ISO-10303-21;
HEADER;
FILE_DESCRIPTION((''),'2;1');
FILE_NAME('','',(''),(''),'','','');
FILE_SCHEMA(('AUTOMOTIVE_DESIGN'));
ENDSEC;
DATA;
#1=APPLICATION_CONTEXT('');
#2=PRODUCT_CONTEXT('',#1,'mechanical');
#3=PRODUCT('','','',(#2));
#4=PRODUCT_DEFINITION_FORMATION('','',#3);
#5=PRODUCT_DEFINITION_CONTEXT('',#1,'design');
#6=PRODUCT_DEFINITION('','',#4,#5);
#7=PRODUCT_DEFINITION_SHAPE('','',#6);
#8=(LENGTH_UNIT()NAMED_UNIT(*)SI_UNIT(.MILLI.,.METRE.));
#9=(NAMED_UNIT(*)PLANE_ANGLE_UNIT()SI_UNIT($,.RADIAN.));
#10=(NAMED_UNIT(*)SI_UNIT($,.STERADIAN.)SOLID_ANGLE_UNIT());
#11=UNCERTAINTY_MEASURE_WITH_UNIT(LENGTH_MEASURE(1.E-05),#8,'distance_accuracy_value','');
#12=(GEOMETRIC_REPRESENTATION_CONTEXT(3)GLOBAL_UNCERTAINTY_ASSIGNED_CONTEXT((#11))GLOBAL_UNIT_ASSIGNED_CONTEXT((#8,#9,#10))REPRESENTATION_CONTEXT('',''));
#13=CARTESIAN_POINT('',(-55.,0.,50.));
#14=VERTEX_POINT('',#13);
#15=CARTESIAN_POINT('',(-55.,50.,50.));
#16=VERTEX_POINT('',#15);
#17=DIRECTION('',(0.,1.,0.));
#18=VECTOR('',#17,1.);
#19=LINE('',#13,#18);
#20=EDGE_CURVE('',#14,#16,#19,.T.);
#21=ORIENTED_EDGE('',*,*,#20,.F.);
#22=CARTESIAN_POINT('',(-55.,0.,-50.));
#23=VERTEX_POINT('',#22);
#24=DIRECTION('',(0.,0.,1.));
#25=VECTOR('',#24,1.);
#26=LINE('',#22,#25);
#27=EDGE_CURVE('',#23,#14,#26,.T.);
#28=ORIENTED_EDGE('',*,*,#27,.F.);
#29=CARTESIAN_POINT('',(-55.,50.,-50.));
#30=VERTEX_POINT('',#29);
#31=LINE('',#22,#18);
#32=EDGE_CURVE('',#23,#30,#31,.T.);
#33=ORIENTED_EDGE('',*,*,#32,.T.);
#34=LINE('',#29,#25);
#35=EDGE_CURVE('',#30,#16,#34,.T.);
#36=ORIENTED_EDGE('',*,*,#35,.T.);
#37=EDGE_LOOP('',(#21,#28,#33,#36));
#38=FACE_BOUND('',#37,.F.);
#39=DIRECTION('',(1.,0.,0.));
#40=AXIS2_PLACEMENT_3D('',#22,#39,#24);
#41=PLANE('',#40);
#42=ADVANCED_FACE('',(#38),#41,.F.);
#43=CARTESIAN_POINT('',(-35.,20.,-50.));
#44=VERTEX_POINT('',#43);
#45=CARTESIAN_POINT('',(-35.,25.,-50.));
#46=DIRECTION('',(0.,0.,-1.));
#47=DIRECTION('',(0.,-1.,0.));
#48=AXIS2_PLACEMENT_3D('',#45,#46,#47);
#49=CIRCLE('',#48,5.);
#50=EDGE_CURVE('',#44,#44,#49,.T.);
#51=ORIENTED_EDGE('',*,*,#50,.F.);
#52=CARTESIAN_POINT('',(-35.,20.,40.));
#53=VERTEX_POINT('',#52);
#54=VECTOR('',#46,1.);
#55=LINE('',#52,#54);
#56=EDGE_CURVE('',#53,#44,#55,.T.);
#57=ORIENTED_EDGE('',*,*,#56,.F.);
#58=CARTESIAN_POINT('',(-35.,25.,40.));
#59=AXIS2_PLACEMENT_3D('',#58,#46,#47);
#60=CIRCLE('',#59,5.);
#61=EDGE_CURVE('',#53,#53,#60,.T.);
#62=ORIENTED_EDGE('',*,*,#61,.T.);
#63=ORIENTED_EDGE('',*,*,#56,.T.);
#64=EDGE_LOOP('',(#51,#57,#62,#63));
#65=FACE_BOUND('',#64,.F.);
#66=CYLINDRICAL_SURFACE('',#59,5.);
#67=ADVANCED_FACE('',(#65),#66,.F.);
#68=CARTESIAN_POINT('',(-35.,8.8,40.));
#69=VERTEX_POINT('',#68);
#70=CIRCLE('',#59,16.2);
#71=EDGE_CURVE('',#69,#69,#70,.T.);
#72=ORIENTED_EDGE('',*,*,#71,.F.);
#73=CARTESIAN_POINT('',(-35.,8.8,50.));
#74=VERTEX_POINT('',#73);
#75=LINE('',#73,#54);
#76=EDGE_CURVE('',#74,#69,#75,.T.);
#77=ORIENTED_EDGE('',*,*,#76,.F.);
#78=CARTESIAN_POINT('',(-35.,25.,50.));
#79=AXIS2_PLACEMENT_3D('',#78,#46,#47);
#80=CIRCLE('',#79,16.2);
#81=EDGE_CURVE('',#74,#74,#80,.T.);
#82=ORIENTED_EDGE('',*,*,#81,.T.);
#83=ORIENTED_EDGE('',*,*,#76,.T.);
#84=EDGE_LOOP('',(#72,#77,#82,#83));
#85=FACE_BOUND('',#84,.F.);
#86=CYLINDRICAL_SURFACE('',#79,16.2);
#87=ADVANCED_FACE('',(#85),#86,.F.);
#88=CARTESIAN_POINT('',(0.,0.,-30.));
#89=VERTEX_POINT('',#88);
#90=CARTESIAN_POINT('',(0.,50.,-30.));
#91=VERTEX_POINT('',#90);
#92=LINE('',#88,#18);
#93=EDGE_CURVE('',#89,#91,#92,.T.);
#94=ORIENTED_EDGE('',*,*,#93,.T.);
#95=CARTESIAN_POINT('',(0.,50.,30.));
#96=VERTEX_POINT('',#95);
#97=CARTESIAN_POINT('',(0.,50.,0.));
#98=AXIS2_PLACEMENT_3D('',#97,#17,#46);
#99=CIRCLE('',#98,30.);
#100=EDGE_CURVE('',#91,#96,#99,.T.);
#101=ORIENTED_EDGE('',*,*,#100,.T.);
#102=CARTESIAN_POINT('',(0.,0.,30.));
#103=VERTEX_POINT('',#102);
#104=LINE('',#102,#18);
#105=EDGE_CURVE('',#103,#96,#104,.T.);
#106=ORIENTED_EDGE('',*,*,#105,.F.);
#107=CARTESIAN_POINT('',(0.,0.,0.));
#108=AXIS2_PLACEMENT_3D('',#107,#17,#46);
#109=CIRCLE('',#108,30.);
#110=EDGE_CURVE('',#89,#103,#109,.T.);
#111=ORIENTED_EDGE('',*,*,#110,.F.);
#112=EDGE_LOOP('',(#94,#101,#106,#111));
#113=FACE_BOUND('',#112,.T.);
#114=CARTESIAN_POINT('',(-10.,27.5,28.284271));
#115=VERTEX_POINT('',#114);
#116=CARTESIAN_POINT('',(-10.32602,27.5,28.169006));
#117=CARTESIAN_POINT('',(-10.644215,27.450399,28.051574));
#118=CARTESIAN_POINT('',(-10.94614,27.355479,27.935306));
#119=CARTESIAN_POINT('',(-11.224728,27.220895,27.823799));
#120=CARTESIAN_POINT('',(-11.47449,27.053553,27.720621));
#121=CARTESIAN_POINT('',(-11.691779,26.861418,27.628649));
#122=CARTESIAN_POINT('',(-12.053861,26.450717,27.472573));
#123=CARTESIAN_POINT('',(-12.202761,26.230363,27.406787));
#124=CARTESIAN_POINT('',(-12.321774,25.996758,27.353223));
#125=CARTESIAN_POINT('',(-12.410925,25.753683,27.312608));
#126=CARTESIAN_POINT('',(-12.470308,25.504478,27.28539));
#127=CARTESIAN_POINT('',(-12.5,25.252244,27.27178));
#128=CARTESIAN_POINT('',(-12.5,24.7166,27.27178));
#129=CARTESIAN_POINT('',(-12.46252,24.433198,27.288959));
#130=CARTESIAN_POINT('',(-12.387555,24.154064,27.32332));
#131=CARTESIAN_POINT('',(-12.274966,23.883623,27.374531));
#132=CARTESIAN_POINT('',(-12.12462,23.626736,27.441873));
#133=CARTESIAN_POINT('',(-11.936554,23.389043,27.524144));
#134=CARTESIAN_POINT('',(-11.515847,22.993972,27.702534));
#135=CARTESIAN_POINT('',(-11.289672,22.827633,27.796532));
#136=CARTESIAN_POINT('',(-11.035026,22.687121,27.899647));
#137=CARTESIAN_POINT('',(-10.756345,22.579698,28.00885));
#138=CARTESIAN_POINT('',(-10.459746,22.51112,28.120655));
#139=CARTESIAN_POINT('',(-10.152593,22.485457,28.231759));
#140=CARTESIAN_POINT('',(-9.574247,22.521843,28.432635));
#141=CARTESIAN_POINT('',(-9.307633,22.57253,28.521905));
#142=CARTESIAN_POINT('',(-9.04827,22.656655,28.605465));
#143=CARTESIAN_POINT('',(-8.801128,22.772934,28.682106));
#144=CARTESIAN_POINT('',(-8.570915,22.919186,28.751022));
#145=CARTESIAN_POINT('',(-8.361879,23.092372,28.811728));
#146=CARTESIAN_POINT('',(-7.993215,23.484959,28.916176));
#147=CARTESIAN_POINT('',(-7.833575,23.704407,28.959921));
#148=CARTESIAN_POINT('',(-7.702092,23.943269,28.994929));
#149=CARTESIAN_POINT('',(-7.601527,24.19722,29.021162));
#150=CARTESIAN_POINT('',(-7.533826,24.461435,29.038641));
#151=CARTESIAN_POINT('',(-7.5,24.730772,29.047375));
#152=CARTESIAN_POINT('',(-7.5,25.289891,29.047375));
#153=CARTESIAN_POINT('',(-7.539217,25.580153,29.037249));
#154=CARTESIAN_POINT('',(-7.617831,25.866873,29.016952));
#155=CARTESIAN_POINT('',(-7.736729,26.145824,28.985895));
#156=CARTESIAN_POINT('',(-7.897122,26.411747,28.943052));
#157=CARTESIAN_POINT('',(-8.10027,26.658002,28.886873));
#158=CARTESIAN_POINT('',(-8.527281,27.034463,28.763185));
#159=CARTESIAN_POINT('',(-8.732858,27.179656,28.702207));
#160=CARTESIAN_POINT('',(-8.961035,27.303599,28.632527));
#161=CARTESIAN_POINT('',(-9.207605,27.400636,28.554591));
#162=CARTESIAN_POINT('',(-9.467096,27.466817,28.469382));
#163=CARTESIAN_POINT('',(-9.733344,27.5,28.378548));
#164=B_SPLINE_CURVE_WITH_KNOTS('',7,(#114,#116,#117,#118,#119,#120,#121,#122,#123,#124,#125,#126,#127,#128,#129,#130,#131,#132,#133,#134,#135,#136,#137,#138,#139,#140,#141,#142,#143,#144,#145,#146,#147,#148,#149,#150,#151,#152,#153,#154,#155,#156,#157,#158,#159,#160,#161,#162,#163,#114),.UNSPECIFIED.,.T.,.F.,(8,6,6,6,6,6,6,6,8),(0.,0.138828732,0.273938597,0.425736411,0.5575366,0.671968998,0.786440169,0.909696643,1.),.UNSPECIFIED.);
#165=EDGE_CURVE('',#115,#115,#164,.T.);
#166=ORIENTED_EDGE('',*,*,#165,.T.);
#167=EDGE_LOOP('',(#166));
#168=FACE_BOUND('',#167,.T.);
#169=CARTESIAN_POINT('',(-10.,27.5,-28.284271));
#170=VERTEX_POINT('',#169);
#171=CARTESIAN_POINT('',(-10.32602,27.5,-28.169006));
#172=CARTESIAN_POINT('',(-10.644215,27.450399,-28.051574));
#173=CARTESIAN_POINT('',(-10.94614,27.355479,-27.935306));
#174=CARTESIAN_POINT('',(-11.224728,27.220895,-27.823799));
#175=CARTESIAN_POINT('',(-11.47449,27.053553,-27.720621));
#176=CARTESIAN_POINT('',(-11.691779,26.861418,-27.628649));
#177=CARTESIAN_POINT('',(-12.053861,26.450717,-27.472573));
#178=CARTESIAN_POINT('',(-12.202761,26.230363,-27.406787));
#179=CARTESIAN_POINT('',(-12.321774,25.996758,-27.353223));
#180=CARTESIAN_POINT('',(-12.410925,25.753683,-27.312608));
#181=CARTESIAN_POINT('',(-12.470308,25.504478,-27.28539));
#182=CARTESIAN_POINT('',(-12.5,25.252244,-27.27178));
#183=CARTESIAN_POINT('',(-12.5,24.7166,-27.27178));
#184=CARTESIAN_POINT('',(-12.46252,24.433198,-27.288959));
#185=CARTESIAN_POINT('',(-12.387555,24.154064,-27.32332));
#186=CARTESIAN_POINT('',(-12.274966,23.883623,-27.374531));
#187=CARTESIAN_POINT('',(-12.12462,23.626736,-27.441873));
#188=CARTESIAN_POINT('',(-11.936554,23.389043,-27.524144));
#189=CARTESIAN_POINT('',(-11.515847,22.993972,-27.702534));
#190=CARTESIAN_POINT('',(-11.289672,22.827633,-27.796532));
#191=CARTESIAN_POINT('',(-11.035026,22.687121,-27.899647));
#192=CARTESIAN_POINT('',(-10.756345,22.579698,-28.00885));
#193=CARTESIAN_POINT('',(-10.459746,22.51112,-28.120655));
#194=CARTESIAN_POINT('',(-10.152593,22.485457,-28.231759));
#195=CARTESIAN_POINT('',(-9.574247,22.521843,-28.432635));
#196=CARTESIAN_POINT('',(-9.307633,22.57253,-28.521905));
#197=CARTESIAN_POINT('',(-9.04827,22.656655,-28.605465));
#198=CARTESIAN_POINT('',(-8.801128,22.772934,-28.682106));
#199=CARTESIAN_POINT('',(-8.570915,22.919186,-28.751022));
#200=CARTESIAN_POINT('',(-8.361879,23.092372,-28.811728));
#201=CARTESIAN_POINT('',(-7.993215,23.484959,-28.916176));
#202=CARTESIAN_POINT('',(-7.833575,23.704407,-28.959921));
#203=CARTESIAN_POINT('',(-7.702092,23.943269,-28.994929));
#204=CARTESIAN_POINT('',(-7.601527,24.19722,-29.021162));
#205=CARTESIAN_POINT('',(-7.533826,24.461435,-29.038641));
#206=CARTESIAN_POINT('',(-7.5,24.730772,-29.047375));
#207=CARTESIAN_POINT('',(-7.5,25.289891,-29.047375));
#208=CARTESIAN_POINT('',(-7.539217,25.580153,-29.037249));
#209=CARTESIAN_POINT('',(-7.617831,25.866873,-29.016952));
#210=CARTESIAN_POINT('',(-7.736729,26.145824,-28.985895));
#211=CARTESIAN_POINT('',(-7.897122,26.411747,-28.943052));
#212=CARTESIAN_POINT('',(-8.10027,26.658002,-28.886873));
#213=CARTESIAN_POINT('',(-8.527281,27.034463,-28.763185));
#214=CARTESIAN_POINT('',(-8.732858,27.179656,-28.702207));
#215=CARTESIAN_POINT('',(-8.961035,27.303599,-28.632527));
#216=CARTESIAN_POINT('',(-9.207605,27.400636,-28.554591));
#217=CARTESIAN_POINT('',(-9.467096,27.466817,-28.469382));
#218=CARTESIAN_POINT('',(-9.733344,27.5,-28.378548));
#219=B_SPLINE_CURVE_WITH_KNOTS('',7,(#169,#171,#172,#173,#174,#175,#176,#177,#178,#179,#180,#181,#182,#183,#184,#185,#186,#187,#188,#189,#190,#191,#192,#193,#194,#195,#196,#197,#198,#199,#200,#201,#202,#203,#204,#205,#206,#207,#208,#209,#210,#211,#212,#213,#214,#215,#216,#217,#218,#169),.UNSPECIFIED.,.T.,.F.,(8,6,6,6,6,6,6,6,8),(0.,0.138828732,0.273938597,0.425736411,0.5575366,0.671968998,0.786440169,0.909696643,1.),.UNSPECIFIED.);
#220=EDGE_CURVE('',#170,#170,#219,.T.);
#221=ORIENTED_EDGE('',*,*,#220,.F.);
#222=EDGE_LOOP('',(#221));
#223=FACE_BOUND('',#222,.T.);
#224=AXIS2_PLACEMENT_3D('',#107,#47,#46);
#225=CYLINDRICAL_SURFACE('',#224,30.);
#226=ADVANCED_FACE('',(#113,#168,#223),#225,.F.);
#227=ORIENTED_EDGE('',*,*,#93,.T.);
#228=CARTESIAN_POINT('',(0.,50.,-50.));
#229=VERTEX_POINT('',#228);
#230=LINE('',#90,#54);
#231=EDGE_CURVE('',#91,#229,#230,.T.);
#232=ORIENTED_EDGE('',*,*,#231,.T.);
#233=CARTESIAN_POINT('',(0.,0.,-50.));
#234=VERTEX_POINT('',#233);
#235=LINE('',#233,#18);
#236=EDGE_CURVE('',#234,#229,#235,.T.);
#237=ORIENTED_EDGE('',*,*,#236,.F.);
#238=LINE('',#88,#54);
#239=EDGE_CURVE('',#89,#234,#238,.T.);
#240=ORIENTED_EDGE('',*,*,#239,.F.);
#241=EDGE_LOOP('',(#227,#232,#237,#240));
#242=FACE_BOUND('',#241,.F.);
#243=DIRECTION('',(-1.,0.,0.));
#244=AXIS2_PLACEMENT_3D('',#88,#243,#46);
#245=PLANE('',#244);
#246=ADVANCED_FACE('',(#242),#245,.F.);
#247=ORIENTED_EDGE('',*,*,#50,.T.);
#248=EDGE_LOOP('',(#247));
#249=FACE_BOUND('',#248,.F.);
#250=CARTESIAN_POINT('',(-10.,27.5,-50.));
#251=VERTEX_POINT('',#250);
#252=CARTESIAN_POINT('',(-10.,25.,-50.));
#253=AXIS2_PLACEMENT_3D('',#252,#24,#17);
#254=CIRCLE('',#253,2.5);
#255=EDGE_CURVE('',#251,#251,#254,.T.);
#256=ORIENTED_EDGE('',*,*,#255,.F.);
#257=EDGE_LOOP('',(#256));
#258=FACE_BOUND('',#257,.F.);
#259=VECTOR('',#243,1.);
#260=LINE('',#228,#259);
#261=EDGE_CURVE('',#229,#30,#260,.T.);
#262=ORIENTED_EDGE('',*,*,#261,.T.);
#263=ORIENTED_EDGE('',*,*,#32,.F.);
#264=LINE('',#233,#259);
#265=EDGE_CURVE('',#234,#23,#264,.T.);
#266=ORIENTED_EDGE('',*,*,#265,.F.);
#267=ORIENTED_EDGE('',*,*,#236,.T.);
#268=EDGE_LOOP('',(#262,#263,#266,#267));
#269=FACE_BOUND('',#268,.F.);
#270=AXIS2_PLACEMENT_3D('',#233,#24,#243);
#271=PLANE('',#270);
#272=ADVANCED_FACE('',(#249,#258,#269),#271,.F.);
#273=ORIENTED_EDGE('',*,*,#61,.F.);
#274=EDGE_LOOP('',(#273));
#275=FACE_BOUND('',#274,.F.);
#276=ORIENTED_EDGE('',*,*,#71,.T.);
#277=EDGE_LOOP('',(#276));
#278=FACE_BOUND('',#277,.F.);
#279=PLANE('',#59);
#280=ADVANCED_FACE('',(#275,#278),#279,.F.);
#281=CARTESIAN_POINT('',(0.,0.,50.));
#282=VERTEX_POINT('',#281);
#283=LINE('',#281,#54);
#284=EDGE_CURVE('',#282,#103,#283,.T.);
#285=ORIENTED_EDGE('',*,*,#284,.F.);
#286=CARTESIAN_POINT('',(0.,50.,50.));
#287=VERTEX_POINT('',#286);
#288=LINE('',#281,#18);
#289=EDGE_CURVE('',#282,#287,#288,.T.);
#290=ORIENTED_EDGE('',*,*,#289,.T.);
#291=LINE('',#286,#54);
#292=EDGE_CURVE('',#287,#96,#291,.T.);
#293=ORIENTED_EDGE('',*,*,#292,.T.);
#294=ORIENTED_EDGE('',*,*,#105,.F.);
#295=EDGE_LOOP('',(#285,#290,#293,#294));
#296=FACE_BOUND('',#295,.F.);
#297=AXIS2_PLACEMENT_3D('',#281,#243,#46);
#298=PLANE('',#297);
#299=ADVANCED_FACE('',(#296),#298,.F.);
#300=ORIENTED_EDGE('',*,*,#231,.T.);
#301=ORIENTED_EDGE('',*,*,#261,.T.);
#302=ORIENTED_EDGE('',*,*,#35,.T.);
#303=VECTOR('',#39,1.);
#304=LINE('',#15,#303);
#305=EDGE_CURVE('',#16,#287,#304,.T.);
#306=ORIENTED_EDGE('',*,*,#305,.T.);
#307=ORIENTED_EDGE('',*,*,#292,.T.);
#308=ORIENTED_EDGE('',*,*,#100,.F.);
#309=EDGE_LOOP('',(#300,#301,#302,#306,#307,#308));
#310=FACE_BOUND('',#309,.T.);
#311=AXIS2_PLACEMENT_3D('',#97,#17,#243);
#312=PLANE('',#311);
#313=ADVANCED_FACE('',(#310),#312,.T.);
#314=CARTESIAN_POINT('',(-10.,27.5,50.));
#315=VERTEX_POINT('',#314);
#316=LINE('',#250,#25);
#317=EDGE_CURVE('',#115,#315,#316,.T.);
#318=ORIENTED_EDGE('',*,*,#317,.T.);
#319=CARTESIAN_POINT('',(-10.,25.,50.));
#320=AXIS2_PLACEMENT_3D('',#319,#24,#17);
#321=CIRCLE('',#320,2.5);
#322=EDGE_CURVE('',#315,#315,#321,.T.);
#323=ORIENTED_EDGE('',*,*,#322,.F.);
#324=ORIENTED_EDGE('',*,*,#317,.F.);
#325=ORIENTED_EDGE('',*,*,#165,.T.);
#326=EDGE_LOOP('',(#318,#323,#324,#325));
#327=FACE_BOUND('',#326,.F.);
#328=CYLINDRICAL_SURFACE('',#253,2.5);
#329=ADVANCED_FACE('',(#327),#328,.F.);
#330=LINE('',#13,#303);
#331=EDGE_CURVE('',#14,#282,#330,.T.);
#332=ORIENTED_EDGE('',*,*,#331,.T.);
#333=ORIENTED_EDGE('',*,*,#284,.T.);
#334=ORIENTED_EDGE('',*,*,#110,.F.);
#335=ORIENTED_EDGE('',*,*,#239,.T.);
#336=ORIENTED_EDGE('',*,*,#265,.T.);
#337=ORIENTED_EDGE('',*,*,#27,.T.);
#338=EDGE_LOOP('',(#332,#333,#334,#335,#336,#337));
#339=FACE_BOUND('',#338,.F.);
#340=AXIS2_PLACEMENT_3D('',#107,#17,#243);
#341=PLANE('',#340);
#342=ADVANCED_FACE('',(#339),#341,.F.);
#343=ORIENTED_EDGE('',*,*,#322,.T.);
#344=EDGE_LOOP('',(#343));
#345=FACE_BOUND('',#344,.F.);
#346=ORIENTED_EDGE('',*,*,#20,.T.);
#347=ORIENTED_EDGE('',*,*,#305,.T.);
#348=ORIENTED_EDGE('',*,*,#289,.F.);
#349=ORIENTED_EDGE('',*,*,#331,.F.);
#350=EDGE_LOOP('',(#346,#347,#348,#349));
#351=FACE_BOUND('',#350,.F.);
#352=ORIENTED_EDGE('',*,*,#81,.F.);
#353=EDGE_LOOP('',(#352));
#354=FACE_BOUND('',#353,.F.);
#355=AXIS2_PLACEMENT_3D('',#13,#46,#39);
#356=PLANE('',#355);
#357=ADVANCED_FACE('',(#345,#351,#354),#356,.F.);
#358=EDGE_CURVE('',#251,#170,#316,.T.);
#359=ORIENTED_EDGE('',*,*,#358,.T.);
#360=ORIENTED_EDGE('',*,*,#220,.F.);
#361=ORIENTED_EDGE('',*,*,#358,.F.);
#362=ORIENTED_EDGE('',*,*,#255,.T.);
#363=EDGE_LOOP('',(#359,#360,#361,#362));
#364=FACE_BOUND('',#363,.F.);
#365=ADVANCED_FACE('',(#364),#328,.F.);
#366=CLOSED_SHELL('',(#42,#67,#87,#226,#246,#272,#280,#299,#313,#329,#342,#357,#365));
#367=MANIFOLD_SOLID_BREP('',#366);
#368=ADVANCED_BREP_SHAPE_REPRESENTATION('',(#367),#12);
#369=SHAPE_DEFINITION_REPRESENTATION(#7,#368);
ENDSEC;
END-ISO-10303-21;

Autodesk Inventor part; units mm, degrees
ref_plane "YZ Plane" through (0, 0, 0) normal (1, 0, 0) x (0, 1, 0)
ref_plane "XZ Plane" through (0, 0, 0) normal (0, 1, 0) x (-1, 0, 0)
ref_plane "XY Plane" through (0, 0, 0) normal (0, 0, 1) x (1, 0, 0)
sketch "Sketch1" plane through (0, 0, 0) normal (0, 1, 0) x (-1, 0, 0)
  line L0 (0, -50) -> (55, -50)
  line L1 (55, -50) -> (55, 50)
  line L2 (55, 50) -> (0, 50)
  arc A0 (0, -30) -> (0, 30) centre (0, 0) ccw
  line L3 (0, 50) -> (0, 30)
  line L4 (0, -30) -> (0, -50)
  point P0 (55, 0)
  dimension "d0" = 100
  dimension "d1" = 55
  dimension "d3" = 60
extrude "Extrusion1" add sketch "Sketch1" along normal blind 50
sketch "Sketch2" plane through (-55, 0, 50) normal (0, 0, 1) x (1, 0, 0)
  line L0 (55, 0) -> (55, 50) construction
  line L1 (55, 50) -> (0, 50) construction
  line L2 (55, 0) -> (0, 0) construction
  line L3 (0, 0) -> (0, 50) projected
  point P0 (20, 25)
  point P1 (0, 25)
  dimension "d14" = 20
hole "Hole1" at (-35, 25, 50) direction (0, 0, -1) diameter 10 end through all counterbore diameter 32.4 counterbore depth 10
sketch "Sketch4" plane through (0, 0, -50) normal (0, 0, -1) x (-1, 0, 0)
  line L0 (55, 0) -> (55, 50) projected
  line L1 (0, 0) -> (0, 50) projected
  point P0 (10, 25)
  point P1 (55, 25)
  dimension "d15" = 10
hole "Hole2" at (-10, 25, -50) direction (0, 0, 1) diameter 5 end through all
properties part number "acople_tubo"
